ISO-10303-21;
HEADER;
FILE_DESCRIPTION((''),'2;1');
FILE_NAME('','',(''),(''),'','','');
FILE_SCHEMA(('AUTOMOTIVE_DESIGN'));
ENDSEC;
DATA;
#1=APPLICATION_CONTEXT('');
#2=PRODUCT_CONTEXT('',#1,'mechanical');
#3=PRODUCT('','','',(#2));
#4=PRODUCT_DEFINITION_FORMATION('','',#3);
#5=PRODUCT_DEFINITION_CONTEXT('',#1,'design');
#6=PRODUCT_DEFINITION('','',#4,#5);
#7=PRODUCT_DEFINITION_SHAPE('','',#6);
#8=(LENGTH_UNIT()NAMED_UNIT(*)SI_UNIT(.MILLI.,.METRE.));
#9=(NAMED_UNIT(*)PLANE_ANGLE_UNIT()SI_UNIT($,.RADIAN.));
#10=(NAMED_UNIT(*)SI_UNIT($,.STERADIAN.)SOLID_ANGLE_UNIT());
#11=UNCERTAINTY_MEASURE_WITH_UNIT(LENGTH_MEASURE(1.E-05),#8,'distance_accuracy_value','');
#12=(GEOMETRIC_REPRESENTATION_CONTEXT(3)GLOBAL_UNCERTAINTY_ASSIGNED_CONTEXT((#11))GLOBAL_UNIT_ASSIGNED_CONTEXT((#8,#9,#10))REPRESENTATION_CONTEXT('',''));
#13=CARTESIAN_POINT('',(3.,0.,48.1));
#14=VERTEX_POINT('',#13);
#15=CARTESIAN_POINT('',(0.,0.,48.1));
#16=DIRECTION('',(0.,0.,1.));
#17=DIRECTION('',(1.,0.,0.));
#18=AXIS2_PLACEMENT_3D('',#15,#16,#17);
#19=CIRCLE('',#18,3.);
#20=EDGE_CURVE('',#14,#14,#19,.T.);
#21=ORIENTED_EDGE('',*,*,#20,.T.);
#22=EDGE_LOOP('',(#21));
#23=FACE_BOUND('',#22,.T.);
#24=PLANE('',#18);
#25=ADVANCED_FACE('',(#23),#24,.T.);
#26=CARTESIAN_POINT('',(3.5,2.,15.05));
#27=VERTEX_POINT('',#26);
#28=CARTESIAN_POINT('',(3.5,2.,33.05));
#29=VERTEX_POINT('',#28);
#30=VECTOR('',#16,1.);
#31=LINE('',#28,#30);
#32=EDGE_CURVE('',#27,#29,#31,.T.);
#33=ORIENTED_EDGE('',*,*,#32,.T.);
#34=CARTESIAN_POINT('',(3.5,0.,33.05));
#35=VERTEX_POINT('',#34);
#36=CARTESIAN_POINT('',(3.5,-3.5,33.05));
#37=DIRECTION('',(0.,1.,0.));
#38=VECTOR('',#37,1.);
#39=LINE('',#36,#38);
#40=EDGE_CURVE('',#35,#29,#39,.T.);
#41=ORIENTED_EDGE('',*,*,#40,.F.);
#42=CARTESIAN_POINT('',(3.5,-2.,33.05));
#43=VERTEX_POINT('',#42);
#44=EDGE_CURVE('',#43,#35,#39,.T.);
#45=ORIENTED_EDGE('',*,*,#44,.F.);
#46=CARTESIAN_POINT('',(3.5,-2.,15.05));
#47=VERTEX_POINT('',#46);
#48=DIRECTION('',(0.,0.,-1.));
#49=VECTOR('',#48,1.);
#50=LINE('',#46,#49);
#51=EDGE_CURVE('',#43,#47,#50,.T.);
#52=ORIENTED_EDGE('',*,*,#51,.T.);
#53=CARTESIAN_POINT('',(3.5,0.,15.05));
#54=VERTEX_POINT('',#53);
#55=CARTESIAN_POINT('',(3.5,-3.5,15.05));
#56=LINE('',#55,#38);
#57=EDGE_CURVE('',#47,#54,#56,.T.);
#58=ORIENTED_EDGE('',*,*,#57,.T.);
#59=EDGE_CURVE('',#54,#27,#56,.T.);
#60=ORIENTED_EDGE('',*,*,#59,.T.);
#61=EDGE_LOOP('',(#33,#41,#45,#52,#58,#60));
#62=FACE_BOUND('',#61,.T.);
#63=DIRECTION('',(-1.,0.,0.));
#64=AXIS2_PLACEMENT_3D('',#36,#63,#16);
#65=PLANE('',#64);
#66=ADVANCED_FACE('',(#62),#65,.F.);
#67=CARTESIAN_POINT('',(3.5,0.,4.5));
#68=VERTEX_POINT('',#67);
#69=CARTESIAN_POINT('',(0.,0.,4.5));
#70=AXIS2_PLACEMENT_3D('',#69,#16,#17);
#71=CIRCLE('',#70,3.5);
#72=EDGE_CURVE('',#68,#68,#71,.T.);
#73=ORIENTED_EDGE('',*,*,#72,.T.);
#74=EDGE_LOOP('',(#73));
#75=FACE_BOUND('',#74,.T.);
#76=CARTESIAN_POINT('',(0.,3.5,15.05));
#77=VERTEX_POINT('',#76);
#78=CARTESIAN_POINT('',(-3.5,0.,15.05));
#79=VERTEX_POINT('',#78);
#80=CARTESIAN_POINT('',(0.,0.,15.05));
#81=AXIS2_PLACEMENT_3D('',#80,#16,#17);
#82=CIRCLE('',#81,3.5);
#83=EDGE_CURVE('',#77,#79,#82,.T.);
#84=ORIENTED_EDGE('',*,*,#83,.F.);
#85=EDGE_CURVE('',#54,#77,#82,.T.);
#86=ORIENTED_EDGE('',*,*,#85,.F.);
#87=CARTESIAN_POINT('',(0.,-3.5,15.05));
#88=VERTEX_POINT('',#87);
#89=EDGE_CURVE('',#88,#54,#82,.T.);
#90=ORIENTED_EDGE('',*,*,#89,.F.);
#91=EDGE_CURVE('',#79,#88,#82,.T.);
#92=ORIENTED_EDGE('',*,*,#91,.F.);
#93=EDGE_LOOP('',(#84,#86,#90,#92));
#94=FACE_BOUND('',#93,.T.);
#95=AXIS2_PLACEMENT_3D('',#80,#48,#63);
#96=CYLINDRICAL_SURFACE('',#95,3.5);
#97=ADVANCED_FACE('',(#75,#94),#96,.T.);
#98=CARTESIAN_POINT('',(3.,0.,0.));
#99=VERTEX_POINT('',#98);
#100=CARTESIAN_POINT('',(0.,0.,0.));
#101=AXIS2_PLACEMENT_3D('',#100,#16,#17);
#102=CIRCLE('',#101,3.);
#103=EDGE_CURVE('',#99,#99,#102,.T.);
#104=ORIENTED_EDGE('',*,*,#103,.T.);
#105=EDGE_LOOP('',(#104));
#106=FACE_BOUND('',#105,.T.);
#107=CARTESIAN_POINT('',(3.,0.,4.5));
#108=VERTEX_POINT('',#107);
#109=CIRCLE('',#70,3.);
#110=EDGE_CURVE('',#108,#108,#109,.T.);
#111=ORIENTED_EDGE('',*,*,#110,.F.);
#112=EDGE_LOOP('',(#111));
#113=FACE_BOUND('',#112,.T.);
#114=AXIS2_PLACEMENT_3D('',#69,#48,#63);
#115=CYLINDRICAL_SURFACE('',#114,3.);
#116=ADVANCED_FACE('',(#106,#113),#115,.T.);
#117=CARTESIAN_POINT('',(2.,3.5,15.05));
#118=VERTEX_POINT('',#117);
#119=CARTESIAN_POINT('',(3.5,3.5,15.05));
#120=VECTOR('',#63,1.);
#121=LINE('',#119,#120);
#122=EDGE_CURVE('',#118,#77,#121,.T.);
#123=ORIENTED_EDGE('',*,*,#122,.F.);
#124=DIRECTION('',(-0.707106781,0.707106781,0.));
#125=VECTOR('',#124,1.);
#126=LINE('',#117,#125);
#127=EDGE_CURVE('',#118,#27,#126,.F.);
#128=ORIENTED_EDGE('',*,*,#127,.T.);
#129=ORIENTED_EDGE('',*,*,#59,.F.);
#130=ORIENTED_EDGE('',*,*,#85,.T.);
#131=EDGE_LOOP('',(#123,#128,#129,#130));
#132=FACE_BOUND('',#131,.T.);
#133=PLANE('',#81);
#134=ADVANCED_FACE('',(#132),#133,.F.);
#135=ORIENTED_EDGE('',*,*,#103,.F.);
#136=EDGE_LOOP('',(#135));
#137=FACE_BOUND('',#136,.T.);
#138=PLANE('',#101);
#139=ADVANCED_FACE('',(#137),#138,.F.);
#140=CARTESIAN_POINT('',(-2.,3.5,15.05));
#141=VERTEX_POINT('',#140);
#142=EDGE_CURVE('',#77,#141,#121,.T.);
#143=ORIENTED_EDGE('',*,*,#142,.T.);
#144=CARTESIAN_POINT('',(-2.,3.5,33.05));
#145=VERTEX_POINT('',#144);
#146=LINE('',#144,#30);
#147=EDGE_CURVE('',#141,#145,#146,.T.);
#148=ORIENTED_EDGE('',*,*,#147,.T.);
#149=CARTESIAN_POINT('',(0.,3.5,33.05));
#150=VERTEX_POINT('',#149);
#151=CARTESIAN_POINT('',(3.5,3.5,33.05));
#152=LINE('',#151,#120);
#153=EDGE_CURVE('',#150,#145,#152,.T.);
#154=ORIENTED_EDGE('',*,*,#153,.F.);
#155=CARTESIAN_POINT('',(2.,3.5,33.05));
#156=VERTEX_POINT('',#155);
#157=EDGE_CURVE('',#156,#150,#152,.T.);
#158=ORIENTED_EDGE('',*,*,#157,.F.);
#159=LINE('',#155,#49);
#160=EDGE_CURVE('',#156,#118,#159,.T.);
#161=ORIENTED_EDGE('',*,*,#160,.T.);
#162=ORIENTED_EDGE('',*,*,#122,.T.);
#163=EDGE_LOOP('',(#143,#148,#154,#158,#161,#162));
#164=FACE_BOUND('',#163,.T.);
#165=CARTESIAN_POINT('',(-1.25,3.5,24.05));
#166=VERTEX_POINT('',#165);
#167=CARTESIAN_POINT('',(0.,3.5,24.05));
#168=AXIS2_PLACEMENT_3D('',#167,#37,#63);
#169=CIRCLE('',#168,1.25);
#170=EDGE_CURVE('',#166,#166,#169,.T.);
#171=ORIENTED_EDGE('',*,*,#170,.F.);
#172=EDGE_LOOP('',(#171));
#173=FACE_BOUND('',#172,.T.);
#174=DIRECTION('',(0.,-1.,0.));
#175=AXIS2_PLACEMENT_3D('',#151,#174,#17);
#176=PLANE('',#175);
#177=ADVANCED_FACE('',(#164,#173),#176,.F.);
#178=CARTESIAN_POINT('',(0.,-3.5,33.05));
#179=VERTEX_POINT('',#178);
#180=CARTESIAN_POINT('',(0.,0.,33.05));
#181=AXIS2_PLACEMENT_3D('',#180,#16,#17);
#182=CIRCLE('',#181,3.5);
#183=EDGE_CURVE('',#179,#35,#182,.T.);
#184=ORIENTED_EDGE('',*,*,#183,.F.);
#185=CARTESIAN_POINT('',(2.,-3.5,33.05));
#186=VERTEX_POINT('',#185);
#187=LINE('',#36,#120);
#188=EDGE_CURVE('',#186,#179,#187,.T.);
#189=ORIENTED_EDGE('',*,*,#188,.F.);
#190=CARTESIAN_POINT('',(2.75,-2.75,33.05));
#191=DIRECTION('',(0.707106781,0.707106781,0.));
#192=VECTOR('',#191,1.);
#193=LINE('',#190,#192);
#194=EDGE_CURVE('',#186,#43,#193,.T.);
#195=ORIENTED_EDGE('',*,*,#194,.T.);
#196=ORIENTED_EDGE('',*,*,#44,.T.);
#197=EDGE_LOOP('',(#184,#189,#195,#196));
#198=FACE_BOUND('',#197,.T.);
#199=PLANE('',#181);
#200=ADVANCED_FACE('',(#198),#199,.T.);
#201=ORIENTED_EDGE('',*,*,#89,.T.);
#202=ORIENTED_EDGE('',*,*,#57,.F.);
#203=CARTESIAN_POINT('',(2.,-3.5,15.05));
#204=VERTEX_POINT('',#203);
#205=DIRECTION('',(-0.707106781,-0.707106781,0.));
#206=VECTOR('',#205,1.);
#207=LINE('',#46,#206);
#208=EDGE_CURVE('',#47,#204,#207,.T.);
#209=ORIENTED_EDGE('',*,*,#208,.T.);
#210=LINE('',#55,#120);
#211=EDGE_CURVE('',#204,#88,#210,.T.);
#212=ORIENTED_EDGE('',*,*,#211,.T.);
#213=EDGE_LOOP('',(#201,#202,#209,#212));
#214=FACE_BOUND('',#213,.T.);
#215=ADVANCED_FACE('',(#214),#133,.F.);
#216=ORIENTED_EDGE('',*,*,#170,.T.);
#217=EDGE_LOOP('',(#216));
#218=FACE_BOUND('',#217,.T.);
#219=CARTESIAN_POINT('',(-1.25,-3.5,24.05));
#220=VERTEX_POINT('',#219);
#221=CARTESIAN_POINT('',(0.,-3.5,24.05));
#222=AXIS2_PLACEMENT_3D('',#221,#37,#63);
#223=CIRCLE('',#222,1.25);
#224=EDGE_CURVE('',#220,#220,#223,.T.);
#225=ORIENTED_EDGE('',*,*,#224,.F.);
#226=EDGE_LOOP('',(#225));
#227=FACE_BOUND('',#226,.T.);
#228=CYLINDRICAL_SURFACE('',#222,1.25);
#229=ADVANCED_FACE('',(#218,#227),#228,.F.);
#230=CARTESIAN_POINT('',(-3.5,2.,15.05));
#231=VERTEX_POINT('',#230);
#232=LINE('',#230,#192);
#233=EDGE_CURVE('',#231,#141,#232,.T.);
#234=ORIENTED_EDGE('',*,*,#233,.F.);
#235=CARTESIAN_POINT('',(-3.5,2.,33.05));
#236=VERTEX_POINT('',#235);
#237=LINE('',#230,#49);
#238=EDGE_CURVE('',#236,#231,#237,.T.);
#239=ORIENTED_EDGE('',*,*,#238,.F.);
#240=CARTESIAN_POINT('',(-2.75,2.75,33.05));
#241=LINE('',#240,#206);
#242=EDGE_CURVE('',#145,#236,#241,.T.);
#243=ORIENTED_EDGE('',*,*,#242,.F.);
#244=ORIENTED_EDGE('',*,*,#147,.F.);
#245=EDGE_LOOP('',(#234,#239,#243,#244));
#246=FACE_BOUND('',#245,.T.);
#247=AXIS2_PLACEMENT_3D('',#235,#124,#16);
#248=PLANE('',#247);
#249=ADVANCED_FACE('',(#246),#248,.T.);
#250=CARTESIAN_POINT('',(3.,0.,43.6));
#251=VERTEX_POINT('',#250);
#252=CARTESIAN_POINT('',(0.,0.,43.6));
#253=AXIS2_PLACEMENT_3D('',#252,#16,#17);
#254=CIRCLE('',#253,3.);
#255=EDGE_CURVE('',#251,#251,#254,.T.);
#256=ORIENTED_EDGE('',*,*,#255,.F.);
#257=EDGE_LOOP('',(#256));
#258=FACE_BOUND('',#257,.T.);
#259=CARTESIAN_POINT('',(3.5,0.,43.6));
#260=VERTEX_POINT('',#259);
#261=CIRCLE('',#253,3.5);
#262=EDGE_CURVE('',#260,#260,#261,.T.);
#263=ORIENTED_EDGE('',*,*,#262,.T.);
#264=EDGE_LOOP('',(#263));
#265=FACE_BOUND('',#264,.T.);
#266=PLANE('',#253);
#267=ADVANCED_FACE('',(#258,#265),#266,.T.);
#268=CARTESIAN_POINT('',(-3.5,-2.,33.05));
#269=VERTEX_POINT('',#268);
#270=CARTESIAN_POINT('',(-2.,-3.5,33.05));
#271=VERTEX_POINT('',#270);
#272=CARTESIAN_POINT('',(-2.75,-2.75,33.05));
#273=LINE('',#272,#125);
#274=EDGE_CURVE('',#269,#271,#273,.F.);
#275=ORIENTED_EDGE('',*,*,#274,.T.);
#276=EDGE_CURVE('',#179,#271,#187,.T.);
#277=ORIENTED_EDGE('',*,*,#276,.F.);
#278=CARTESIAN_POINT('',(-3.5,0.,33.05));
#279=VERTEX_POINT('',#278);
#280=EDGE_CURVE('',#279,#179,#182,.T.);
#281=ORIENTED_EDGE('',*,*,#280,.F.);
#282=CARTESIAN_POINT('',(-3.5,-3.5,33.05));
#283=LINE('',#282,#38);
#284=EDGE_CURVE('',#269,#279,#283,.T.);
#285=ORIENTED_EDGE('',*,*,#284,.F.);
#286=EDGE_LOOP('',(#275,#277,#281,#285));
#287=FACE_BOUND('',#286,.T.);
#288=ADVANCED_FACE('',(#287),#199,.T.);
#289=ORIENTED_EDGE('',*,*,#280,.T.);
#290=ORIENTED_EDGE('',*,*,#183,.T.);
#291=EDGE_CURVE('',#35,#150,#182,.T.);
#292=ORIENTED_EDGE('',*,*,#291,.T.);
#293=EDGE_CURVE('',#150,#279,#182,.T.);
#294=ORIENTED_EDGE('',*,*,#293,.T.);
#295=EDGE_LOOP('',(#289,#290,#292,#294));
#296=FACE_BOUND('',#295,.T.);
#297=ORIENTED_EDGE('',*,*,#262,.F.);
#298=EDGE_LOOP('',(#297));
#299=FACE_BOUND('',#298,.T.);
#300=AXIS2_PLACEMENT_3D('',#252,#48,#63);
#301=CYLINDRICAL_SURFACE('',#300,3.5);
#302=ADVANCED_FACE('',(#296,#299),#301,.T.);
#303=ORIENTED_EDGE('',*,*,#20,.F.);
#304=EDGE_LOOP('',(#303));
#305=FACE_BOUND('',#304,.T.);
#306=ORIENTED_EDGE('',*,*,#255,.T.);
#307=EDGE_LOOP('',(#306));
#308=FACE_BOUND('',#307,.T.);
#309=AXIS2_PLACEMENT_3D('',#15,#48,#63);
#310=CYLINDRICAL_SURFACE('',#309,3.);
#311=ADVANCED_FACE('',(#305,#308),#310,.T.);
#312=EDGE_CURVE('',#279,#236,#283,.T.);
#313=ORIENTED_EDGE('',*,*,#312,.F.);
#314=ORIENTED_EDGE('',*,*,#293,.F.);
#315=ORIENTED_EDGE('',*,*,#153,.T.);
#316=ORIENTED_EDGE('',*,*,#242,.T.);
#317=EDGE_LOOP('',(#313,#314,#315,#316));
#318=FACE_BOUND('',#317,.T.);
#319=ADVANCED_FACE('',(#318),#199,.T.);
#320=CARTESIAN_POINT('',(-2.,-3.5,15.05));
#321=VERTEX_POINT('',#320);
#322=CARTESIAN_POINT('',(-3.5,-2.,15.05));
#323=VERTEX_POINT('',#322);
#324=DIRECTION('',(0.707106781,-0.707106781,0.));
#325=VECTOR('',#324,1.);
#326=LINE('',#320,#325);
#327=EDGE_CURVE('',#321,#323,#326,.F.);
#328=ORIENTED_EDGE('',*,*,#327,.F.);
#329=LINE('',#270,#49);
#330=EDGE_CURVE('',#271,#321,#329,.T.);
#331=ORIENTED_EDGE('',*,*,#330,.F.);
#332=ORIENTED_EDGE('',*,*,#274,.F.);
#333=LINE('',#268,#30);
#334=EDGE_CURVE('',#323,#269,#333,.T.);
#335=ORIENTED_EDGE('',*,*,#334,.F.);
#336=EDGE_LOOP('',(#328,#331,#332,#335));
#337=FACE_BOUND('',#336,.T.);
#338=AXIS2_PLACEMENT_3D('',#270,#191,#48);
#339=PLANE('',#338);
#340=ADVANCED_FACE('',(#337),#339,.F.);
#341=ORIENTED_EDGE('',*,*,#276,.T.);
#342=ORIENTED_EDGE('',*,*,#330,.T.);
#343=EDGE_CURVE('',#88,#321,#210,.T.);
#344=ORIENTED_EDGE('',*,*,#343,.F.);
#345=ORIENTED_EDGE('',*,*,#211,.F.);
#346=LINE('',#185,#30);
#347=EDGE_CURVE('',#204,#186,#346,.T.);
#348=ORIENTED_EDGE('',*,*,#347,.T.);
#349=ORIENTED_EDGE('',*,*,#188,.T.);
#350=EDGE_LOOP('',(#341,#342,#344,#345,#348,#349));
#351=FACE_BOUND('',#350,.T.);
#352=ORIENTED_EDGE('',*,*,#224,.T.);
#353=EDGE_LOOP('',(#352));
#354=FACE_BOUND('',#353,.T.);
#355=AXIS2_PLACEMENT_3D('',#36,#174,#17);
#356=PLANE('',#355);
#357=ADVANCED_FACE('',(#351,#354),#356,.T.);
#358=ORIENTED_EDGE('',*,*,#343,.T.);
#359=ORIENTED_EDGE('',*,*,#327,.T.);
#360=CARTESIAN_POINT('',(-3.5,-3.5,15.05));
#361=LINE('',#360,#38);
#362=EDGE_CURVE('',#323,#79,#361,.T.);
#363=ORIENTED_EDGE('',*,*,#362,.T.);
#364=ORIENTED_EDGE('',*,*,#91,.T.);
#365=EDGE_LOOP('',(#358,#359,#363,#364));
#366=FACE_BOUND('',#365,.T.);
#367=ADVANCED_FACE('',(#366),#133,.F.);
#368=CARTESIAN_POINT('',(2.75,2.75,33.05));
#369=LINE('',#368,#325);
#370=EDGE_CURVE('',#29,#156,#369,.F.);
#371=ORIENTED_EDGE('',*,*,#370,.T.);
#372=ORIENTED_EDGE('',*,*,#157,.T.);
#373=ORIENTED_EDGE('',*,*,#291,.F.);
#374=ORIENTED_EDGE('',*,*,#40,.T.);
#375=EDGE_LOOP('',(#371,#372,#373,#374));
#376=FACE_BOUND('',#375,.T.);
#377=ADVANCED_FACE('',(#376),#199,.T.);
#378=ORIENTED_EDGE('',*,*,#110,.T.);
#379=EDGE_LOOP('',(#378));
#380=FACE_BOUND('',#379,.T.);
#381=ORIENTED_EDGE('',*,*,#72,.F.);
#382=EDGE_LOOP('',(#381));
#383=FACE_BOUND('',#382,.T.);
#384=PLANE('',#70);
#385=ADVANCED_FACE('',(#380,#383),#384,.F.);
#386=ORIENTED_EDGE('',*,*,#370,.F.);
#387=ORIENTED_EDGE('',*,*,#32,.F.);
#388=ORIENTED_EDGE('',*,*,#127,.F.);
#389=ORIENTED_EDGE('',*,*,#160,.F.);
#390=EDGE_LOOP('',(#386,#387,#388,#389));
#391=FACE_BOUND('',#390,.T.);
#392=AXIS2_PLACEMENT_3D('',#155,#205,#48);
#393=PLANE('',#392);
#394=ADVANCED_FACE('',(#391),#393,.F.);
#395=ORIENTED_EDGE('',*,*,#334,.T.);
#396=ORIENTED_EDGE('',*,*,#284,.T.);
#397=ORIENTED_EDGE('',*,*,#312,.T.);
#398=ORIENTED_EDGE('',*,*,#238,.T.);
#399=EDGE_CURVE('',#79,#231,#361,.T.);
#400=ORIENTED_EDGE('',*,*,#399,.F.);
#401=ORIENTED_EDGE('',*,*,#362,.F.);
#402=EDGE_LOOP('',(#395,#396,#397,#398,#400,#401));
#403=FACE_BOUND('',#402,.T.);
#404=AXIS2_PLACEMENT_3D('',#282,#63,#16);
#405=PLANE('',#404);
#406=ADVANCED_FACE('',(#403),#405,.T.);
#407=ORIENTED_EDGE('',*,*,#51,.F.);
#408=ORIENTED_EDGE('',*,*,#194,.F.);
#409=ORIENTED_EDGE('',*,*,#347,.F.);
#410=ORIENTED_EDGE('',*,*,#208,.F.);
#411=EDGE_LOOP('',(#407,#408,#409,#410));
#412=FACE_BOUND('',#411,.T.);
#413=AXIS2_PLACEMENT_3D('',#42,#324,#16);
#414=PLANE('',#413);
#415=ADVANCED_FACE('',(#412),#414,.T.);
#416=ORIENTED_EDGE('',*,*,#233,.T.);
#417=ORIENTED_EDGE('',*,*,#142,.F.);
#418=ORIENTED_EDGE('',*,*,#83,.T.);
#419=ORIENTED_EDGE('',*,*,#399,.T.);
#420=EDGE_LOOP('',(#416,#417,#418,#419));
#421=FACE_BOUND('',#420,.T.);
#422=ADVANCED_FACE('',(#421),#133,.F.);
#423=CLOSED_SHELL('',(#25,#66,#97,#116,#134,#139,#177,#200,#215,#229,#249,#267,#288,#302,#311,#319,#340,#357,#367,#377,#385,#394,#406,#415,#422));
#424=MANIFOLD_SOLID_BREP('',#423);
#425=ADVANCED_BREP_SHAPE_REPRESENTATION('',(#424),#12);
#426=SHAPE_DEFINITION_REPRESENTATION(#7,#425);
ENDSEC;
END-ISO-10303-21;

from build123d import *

# Parameters (mm, degrees)
CROQUIS1_R              = 3
SALIENTE_EXTRUIR1_DEPTH = 4.5
CROQUIS2_R              = 3.5
SALIENTE_EXTRUIR2_DEPTH = 10.55
CROQUIS3_W              = 7
CROQUIS3_H              = 7
SALIENTE_EXTRUIR3_DEPTH = 18
CROQUIS4_R              = 3.5
SALIENTE_EXTRUIR4_DEPTH = 10.55
CROQUIS5_R              = 3
SALIENTE_EXTRUIR5_DEPTH = 4.5
CROQUIS6_R              = 1.25
CORTAR_EXTRUIR1_DEPTH   = 8
CHAFL_N1_SIZE           = 1.5


with BuildPart() as part:
    # Croquis1 → Saliente-Extruir1 (new body)
    with BuildSketch(Plane.XY):
        Circle(CROQUIS1_R)
    extrude(amount=SALIENTE_EXTRUIR1_DEPTH)

    # Croquis2 → Saliente-Extruir2 (add)
    with BuildSketch(Plane.XY.offset(4.5)):
        Circle(CROQUIS2_R)
    extrude(amount=SALIENTE_EXTRUIR2_DEPTH)

    # Croquis3 → Saliente-Extruir3 (add)
    with BuildSketch(Plane.XY.offset(15.05)):
        Rectangle(CROQUIS3_W, CROQUIS3_H)
    extrude(amount=SALIENTE_EXTRUIR3_DEPTH)

    # Croquis4 → Saliente-Extruir4 (add)
    with BuildSketch(Plane.XY.offset(33.05)):
        Circle(CROQUIS4_R)
    extrude(amount=SALIENTE_EXTRUIR4_DEPTH)

    # Croquis5 → Saliente-Extruir5 (add)
    with BuildSketch(Plane.XY.offset(43.6)):
        Circle(CROQUIS5_R)
    extrude(amount=SALIENTE_EXTRUIR5_DEPTH)

    # Croquis6 → Cortar-Extruir1 (cut, through all)
    with BuildSketch(Plane(origin=(0, 3.5, 0), x_dir=(1, 0, 0), z_dir=(0, 1, 0))):
        with Locations((0, -24.05)):
            Circle(CROQUIS6_R)
    extrude(amount=-CORTAR_EXTRUIR1_DEPTH, mode=Mode.SUBTRACT)

    # Chaflán1
    chafl_n1_edges = [part.edges().sort_by_distance(p)[0] for p in [
        (3.5, -3.5, 24.05),
        (3.5, 3.5, 24.05),
        (-3.5, 3.5, 24.05),
        (-3.5, -3.5, 24.05),
    ]]
    chamfer(chafl_n1_edges, length=CHAFL_N1_SIZE)


solid = part.part
